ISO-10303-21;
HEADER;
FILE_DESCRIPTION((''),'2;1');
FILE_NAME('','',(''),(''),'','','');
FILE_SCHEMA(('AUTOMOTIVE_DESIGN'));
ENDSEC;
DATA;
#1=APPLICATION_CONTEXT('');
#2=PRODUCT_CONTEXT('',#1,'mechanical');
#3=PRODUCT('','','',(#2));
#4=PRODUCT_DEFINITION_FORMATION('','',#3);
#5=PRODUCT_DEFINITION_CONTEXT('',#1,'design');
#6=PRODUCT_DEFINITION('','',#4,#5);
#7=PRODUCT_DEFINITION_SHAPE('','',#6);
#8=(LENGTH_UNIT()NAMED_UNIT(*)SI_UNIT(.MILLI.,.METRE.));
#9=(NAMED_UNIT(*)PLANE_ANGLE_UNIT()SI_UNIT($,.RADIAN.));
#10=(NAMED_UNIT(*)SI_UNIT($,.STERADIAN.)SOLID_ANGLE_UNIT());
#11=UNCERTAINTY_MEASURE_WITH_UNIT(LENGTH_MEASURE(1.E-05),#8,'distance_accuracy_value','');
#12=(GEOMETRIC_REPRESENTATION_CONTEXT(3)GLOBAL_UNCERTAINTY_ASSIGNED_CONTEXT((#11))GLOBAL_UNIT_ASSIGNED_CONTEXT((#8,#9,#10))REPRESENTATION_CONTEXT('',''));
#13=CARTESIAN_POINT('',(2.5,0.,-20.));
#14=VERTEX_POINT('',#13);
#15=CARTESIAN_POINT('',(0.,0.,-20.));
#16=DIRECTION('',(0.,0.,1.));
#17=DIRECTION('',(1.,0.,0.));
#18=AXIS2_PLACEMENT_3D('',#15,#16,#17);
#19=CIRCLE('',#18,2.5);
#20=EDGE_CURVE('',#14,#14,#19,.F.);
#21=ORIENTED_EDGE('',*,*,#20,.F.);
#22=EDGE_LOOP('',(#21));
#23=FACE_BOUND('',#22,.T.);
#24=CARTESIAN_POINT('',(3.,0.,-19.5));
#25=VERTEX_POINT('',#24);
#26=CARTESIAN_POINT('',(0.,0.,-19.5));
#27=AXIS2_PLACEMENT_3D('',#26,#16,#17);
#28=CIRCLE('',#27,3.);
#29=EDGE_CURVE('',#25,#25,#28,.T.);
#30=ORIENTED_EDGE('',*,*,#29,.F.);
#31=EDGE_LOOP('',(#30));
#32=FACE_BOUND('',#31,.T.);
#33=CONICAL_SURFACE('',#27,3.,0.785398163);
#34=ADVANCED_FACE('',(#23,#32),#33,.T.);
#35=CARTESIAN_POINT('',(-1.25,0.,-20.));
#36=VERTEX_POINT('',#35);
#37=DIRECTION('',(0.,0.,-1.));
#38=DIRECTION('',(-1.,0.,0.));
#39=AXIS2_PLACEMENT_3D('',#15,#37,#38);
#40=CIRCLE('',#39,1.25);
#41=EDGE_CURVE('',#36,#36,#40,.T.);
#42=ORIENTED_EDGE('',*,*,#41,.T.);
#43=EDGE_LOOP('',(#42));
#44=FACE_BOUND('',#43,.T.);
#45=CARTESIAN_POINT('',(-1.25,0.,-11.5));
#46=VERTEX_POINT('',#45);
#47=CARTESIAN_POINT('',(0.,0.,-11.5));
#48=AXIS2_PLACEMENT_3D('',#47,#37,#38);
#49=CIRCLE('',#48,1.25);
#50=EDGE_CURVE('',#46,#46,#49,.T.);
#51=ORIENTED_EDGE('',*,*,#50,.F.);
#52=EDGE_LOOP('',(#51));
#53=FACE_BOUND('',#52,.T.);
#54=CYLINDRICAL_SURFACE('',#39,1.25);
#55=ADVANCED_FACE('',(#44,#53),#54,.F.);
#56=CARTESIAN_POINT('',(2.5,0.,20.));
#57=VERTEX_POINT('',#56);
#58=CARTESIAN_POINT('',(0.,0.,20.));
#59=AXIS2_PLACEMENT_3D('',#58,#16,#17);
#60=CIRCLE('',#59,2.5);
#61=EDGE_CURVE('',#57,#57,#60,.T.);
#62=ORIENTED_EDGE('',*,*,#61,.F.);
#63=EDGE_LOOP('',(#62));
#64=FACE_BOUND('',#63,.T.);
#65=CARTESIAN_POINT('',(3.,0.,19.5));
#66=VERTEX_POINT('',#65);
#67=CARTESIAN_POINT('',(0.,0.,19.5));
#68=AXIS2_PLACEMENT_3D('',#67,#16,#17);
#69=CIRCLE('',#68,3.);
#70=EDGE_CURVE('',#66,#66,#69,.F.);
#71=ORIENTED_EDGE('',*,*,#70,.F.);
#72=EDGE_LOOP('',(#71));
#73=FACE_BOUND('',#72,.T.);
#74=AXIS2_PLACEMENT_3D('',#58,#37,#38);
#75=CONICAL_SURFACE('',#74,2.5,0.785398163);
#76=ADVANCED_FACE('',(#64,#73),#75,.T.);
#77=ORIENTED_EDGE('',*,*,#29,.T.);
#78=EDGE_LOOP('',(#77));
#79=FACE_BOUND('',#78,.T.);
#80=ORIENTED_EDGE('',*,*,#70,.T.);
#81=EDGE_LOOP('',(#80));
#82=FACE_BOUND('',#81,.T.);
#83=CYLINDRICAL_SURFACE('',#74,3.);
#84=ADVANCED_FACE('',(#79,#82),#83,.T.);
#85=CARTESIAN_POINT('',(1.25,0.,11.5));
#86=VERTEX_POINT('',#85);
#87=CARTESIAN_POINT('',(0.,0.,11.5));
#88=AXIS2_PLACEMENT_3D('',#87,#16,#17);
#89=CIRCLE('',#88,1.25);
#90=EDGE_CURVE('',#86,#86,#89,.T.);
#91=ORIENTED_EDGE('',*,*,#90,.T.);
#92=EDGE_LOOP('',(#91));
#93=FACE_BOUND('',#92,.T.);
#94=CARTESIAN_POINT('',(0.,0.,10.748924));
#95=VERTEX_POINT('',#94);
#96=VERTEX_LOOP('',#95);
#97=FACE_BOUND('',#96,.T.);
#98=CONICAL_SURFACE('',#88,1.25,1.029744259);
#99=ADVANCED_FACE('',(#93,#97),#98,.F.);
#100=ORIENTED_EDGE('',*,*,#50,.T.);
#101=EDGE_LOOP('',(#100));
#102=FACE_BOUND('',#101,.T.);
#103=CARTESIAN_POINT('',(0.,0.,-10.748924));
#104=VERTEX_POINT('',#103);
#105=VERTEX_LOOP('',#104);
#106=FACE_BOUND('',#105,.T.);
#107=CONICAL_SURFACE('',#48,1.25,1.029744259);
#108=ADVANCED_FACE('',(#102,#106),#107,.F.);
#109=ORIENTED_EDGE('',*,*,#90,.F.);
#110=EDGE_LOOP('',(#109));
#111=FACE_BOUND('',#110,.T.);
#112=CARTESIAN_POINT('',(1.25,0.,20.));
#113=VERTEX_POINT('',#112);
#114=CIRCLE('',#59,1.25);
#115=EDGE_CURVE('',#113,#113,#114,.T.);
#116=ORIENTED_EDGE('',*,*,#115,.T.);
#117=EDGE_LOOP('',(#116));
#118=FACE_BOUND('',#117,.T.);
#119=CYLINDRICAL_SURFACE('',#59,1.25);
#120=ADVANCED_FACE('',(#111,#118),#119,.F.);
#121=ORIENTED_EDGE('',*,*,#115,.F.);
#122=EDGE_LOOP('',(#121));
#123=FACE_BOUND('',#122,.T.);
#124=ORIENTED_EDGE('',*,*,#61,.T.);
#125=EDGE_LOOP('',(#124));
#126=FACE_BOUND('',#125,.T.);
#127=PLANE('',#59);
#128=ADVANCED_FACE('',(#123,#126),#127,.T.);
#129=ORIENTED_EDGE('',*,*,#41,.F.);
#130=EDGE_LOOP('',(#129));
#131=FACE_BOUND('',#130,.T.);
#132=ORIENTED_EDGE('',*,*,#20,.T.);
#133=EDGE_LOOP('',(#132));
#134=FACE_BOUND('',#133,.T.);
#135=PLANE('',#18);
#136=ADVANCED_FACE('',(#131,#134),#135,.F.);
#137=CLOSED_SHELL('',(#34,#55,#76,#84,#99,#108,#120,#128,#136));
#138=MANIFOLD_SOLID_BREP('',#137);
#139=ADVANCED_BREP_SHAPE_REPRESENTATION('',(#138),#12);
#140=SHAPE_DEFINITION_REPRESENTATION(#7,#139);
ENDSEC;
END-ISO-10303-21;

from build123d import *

# Parameters (mm, degrees)
SKETCH_2_R      = 3
EXTRUDE_1_DEPTH = 20
CHAMFER_1_SIZE  = 0.5


with BuildPart() as part:
    # ｽｹｯﾁ2 → ﾎﾞｽ - 押し出し1 (new, symmetric)
    with BuildSketch(Plane.XY):
        Circle(SKETCH_2_R)
    extrude(amount=EXTRUDE_1_DEPTH, both=True)

    # ｽｹｯﾁ4 → M3 ねじ穴1 (revolve, cut)
    with BuildSketch(Plane(origin=(0, 0, 20), x_dir=(0, -1, 0), z_dir=(1, 0, 0))):
        Polygon((0, 0), (0, 9.251075774), (1.25, 8.5), (1.25, 0), align=None)
    hole_wizard_m3_1 = revolve(axis=Axis((0, 0, 26.35), (0, 0, -1)), mode=Mode.SUBTRACT)

    # ﾐﾗｰ1: M3 ねじ穴1 across plane
    add(hole_wizard_m3_1.mirror(Plane.XY), mode=Mode.SUBTRACT)

    # 面取り1
    chamfer_1_edges = [part.edges().sort_by_distance(p)[0] for p in [
        (-3, 0, -20),
        (-3, 0, 20),
    ]]
    chamfer(chamfer_1_edges, length=CHAMFER_1_SIZE)


solid = part.part
